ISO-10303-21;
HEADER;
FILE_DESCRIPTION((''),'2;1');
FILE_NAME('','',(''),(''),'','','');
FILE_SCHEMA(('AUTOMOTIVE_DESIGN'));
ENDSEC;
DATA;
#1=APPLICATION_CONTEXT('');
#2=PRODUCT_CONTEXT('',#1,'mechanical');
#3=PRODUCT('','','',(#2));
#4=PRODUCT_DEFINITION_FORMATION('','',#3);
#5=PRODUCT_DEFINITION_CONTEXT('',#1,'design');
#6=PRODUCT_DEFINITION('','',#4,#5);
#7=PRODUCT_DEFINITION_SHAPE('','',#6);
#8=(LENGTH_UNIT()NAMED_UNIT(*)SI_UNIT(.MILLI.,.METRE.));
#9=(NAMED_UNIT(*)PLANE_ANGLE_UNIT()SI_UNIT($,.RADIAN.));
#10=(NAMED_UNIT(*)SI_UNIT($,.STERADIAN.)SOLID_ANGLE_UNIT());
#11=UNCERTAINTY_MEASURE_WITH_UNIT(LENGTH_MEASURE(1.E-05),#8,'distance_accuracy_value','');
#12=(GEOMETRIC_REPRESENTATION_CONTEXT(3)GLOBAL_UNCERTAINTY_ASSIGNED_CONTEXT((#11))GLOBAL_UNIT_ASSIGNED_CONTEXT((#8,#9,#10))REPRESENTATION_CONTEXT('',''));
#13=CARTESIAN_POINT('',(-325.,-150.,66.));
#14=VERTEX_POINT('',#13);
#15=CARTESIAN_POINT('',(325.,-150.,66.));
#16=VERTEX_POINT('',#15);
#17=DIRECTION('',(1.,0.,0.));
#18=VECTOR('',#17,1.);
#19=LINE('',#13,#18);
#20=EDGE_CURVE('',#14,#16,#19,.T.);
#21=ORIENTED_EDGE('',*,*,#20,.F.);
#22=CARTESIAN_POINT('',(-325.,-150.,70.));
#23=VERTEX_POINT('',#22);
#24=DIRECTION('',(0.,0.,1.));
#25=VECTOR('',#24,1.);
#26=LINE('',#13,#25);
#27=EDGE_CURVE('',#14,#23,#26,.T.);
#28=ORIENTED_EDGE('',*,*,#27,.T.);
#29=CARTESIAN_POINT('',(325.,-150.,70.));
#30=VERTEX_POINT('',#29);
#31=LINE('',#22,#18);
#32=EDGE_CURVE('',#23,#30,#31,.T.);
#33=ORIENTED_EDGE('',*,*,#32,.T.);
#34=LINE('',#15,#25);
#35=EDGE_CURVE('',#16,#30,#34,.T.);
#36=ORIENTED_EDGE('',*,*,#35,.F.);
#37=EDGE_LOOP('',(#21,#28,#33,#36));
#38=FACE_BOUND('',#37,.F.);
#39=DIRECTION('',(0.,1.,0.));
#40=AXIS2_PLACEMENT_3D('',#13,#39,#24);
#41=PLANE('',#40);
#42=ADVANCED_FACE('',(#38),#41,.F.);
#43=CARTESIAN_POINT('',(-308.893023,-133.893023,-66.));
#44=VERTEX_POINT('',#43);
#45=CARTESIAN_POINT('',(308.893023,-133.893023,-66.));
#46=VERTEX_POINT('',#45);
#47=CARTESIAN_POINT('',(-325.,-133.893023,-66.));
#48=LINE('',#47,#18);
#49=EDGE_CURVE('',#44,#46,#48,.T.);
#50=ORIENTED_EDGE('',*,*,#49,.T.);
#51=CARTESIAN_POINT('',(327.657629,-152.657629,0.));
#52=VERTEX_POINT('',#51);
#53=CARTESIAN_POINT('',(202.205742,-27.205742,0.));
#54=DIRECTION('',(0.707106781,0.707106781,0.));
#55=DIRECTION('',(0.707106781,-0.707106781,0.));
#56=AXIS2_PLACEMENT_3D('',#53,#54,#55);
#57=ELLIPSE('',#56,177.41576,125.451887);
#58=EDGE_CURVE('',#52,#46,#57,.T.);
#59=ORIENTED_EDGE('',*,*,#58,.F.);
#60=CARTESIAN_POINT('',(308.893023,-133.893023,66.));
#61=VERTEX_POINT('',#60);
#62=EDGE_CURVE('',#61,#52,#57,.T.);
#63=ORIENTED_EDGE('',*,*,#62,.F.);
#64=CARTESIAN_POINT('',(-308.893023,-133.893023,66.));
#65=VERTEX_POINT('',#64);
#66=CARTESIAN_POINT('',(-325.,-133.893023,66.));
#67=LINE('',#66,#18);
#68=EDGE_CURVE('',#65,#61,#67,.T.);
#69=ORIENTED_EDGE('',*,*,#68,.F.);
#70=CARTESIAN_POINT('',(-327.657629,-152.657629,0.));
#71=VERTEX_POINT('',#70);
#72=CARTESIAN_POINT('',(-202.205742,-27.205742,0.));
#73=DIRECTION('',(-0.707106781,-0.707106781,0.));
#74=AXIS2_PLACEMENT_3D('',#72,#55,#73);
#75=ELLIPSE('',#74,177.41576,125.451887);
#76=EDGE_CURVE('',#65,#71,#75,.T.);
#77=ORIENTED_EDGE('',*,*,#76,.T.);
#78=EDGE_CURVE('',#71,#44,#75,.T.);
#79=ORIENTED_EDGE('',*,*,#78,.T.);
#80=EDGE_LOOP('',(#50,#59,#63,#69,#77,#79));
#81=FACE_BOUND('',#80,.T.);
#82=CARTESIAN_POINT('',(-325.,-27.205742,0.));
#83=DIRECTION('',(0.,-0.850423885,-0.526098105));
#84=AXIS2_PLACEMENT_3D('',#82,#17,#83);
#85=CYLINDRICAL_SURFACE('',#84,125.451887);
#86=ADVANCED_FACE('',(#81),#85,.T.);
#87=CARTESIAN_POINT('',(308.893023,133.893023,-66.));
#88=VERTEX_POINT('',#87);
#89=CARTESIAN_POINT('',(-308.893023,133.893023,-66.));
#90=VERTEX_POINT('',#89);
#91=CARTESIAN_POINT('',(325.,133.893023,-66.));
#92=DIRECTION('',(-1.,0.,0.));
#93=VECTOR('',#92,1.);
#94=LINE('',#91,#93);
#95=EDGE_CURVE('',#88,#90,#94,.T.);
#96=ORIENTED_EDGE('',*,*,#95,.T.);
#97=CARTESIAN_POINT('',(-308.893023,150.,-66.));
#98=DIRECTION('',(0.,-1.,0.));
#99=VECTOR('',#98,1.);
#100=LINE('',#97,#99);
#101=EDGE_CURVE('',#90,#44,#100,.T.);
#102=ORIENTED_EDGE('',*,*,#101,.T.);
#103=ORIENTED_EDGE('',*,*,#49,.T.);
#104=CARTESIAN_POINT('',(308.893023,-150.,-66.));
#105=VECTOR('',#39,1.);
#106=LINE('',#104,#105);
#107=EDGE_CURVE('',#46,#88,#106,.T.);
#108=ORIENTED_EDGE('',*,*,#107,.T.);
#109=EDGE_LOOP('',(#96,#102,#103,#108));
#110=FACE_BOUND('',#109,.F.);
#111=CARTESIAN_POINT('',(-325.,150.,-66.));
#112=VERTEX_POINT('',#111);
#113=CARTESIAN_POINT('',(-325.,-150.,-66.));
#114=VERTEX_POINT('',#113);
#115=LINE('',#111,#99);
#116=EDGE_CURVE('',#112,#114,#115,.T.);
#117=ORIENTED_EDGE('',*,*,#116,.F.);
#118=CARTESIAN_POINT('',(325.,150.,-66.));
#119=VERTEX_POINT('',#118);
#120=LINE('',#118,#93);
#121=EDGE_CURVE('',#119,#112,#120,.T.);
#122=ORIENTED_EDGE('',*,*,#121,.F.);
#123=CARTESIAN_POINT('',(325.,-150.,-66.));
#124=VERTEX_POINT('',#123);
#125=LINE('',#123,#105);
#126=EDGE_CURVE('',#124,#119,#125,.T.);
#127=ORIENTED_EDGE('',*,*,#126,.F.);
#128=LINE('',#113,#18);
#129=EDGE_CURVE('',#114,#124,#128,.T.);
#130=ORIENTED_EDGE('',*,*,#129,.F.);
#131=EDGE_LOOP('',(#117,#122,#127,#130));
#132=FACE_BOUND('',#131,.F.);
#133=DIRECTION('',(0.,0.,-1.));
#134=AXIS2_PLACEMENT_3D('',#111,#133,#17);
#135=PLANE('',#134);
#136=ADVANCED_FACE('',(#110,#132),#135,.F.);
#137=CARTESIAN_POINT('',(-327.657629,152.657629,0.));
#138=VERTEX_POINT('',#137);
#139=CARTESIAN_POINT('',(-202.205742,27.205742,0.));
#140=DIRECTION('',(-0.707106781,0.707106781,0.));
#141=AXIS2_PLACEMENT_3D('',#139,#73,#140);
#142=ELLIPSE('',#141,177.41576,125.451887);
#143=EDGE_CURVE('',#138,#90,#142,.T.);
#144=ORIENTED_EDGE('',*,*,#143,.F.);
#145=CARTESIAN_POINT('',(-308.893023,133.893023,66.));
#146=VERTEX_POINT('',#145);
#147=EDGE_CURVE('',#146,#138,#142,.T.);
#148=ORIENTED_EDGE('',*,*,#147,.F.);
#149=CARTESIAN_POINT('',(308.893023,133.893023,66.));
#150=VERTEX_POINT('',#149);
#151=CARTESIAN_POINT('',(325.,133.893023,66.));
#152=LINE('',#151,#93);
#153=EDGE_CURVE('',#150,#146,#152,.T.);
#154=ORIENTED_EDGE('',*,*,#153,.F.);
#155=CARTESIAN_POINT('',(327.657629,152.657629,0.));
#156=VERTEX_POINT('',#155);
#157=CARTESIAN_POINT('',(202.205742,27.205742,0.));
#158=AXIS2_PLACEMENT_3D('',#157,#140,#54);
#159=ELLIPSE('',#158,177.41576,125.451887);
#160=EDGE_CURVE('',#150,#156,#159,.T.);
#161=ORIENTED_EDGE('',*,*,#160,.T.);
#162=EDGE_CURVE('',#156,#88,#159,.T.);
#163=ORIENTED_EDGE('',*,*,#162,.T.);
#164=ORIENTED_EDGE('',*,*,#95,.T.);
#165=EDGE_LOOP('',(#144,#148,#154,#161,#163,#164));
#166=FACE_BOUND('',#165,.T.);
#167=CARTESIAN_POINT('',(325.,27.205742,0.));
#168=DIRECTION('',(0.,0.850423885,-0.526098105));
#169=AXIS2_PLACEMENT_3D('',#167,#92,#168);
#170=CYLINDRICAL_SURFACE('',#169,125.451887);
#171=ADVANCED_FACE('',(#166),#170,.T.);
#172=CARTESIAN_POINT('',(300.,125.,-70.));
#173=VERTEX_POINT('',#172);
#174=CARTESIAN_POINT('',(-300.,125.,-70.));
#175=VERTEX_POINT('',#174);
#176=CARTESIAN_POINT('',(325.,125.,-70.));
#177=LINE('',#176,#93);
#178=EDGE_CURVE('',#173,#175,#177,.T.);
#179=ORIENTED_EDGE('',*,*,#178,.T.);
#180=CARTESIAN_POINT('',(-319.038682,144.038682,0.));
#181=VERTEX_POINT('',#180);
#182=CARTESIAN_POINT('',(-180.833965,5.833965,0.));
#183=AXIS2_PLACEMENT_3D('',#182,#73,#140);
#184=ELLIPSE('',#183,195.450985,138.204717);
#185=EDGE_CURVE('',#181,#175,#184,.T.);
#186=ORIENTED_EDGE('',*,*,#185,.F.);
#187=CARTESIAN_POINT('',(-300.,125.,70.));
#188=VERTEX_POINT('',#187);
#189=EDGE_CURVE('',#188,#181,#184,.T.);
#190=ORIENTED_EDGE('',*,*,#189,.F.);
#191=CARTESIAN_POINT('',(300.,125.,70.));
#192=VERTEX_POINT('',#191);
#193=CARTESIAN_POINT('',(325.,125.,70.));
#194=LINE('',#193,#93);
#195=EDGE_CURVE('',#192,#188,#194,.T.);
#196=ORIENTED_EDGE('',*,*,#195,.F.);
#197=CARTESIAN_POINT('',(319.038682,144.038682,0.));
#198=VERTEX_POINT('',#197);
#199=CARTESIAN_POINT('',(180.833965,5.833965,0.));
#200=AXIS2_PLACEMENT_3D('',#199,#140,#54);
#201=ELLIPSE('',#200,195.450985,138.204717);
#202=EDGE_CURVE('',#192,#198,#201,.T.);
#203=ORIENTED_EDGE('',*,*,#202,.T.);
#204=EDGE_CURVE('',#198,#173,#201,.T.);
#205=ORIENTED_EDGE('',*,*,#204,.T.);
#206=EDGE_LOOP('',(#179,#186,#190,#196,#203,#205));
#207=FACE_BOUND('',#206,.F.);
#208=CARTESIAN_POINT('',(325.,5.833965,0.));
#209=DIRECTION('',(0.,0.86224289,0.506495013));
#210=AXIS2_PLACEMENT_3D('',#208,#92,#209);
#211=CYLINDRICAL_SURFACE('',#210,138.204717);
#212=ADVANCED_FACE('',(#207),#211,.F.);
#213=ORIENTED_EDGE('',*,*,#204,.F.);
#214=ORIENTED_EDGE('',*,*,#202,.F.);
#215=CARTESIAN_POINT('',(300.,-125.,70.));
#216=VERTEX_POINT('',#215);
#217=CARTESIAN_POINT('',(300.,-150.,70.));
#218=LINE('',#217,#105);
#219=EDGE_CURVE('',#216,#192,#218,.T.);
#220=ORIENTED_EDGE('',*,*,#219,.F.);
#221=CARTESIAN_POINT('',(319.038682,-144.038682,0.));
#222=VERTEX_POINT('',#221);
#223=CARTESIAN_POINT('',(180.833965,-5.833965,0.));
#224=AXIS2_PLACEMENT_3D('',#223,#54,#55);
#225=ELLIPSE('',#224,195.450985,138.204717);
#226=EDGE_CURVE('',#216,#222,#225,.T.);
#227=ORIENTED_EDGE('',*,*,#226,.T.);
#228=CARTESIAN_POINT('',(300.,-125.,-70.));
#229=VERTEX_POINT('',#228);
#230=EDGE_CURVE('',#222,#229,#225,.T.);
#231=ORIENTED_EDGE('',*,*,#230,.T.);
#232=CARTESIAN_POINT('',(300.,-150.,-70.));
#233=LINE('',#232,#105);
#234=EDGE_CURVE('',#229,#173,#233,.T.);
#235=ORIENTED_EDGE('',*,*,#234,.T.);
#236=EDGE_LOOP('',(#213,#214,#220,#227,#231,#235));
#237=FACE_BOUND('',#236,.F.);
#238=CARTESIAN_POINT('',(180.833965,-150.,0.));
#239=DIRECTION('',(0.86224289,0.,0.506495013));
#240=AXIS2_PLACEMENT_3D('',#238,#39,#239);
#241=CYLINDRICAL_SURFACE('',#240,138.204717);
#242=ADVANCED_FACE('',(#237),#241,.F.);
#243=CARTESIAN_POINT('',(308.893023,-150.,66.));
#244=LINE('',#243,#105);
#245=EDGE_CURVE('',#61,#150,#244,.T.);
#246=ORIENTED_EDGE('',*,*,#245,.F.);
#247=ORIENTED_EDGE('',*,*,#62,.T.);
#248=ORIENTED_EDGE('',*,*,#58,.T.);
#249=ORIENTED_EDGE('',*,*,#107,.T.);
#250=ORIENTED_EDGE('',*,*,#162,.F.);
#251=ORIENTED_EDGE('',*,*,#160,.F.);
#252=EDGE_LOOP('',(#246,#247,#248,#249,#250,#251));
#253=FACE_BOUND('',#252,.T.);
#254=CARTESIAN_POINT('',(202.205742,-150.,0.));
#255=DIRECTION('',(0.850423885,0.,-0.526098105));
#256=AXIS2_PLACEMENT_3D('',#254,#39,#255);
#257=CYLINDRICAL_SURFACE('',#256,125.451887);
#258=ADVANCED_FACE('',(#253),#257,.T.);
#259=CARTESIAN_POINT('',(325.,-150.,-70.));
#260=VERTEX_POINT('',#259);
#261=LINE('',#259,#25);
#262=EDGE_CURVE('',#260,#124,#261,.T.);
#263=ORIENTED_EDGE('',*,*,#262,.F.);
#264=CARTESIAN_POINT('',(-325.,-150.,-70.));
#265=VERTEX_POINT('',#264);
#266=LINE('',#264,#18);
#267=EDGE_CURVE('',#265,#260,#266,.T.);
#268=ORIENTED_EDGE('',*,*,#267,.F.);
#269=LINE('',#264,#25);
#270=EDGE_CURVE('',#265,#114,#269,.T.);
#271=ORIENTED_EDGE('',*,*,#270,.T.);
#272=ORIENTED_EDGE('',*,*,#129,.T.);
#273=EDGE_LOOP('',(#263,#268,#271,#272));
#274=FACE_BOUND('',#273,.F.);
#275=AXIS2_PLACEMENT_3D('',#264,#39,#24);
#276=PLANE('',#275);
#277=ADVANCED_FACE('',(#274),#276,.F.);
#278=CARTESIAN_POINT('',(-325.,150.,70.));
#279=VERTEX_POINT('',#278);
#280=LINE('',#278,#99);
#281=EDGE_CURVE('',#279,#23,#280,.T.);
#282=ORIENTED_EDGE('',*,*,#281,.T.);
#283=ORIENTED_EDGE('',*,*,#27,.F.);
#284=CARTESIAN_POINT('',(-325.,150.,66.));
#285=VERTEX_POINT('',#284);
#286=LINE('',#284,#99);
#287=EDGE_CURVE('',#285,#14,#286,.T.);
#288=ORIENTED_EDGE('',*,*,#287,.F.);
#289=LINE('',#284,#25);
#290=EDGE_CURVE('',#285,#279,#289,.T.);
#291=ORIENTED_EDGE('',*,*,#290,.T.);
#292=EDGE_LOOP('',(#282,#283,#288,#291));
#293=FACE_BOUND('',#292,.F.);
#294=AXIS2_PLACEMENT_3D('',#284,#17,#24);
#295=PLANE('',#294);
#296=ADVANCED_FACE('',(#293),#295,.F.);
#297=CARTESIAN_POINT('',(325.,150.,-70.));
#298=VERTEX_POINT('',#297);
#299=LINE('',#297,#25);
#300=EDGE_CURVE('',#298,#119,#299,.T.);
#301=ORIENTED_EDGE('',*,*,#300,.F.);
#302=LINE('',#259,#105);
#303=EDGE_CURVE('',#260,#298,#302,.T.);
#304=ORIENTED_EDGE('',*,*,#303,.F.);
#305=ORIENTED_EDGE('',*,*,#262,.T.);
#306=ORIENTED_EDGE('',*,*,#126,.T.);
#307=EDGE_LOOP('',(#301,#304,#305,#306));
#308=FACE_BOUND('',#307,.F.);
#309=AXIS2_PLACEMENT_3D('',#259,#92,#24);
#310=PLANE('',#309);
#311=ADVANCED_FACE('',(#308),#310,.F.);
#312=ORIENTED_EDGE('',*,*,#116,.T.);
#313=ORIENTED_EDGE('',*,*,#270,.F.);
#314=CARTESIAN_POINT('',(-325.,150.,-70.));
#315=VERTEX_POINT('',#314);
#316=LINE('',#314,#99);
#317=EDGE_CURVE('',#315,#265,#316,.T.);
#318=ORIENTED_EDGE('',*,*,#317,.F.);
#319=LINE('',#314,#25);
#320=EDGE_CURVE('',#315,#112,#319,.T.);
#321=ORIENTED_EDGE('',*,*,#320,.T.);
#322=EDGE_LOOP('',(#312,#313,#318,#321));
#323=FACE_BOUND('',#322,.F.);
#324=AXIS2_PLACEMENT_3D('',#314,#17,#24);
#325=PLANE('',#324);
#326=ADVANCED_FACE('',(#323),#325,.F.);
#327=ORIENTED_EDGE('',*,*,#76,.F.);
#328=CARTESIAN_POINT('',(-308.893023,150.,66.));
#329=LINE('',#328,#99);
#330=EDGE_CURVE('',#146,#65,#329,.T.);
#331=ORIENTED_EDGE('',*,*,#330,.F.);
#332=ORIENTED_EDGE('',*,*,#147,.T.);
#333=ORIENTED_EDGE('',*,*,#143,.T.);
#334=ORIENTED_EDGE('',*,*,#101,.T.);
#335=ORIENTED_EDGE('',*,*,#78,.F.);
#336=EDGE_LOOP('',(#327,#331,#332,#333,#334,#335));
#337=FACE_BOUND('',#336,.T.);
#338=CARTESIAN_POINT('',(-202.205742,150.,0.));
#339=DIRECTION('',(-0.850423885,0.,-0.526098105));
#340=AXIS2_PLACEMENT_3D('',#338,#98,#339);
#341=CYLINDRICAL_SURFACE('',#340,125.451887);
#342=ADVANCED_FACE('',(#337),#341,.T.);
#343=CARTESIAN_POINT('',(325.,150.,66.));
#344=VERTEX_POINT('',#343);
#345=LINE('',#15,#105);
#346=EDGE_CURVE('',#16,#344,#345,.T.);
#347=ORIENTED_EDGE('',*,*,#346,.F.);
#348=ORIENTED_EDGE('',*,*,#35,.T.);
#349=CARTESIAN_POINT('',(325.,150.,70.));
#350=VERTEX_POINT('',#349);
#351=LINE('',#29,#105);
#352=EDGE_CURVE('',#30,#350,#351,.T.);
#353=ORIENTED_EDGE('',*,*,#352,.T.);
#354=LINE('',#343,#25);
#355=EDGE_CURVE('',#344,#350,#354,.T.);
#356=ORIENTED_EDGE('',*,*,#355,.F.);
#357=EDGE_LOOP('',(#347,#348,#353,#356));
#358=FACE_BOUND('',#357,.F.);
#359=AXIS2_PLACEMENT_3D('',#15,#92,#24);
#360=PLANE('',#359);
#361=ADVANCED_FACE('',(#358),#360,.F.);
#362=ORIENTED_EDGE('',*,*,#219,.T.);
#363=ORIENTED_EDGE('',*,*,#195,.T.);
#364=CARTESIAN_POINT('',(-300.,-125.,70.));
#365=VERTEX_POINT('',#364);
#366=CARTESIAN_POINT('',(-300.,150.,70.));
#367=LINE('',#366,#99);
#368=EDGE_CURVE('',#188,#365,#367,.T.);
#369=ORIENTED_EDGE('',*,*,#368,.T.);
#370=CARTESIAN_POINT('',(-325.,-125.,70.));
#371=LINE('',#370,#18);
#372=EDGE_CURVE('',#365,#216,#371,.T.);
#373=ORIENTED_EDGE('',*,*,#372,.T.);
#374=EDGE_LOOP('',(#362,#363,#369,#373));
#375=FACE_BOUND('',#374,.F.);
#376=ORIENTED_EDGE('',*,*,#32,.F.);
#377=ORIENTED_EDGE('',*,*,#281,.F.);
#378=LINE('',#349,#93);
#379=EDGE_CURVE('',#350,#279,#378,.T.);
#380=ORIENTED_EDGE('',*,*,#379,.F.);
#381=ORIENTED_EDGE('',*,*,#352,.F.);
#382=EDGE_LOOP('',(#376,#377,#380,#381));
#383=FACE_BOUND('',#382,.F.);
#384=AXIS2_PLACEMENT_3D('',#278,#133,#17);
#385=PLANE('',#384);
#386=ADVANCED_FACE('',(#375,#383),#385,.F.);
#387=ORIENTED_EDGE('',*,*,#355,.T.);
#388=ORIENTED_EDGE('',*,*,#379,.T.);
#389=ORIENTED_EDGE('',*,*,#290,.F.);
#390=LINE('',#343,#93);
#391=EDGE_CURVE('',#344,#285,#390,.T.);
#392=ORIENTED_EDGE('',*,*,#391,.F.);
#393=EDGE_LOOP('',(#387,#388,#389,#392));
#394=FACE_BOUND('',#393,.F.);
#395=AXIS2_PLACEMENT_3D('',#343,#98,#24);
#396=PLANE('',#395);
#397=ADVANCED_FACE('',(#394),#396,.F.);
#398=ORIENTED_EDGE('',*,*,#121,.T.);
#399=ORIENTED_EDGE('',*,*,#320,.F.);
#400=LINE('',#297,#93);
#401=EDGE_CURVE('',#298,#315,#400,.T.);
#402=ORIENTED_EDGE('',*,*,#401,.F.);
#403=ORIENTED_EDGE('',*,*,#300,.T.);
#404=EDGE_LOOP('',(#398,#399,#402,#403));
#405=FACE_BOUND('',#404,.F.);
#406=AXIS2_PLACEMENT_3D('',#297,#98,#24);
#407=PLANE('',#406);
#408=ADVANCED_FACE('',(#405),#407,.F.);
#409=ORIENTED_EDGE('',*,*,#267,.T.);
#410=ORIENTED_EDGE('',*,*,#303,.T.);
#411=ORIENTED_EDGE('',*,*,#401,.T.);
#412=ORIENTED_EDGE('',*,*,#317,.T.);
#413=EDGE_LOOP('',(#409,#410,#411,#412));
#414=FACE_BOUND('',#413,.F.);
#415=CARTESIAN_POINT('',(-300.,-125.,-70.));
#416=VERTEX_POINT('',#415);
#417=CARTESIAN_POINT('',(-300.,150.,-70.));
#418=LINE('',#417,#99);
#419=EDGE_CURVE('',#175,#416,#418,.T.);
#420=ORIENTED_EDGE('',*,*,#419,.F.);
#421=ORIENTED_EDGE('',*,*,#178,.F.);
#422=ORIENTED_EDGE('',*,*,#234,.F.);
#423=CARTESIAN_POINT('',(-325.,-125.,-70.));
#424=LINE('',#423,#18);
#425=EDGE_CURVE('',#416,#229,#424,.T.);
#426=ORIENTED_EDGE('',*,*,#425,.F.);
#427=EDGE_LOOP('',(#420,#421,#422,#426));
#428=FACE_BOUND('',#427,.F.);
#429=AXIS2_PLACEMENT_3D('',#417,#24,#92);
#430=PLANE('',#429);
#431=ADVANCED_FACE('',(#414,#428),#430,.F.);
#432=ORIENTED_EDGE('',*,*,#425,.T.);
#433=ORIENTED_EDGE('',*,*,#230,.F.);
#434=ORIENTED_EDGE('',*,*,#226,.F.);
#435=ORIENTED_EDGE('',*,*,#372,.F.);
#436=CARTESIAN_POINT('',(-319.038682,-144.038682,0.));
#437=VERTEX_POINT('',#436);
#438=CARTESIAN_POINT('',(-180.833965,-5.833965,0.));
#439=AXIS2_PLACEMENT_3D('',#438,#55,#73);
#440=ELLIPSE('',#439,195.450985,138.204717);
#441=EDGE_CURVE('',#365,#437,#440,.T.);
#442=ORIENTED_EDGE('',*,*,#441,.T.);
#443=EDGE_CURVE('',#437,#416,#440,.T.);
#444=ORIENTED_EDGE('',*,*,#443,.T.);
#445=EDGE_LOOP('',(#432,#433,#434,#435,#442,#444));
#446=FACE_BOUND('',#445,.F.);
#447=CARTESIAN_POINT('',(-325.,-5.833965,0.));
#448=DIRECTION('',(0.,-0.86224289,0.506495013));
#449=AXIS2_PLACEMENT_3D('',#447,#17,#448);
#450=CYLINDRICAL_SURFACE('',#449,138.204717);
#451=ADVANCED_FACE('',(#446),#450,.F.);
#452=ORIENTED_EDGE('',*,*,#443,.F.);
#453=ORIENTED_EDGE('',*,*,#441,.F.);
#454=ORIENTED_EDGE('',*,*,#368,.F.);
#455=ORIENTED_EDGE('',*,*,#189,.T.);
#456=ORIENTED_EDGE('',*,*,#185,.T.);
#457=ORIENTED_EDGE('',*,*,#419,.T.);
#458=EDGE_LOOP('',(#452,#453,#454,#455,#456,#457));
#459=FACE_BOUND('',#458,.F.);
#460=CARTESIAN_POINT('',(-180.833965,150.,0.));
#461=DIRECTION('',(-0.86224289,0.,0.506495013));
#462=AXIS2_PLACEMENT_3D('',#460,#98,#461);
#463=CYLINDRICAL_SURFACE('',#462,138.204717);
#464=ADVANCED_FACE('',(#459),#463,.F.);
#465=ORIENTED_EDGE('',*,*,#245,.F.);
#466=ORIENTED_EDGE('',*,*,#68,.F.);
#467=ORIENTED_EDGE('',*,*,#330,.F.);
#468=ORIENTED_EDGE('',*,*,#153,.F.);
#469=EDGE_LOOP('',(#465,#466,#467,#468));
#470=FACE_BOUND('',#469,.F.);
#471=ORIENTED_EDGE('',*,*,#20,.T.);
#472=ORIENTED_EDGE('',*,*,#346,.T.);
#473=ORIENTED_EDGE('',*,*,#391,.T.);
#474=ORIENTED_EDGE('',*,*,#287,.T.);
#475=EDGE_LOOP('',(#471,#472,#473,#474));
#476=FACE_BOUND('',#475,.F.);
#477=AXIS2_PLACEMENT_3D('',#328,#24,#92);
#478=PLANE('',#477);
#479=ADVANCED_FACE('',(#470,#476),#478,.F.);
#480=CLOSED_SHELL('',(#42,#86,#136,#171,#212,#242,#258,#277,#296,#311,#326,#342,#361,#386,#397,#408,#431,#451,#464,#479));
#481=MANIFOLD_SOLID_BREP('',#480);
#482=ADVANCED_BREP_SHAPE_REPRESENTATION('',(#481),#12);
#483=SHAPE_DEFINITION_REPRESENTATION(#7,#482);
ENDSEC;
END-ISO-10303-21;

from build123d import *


with BuildPart() as f2:
    # F2: sweep along a path in F0
    with BuildLine(Plane.XY) as f2_path:
        Line((-325, 150), (-325, -150))
        Line((-325, -150), (325, -150))
        Line((325, -150), (325, 150))
        Line((325, 150), (-325, 150))
    # F1 (on Right) → F2 (sweep)
    with BuildSketch(Plane.YZ):
        with BuildLine():
            Line((125, -70), (131.3123023267, -70))
            Line((131.3123023267, -70), (150, -70))
            Line((150, -70), (150, -66))
            Line((150, -66), (133.8930228842, -66))
            ThreePointArc((133.8930228842, -66), (152.6576287858, 0), (133.8930228842, 66))
            Line((133.8930228842, 66), (150, 66))
            Line((150, 66), (150, 70))
            Line((150, 70), (131.3123023267, 70))
            Line((131.3123023267, 70), (125, 70))
            ThreePointArc((125, 70), (144.0386823701, 0), (125, -70))
        make_face()
    sweep(path=f2_path.line, transition=Transition.RIGHT)


solid = f2.part
